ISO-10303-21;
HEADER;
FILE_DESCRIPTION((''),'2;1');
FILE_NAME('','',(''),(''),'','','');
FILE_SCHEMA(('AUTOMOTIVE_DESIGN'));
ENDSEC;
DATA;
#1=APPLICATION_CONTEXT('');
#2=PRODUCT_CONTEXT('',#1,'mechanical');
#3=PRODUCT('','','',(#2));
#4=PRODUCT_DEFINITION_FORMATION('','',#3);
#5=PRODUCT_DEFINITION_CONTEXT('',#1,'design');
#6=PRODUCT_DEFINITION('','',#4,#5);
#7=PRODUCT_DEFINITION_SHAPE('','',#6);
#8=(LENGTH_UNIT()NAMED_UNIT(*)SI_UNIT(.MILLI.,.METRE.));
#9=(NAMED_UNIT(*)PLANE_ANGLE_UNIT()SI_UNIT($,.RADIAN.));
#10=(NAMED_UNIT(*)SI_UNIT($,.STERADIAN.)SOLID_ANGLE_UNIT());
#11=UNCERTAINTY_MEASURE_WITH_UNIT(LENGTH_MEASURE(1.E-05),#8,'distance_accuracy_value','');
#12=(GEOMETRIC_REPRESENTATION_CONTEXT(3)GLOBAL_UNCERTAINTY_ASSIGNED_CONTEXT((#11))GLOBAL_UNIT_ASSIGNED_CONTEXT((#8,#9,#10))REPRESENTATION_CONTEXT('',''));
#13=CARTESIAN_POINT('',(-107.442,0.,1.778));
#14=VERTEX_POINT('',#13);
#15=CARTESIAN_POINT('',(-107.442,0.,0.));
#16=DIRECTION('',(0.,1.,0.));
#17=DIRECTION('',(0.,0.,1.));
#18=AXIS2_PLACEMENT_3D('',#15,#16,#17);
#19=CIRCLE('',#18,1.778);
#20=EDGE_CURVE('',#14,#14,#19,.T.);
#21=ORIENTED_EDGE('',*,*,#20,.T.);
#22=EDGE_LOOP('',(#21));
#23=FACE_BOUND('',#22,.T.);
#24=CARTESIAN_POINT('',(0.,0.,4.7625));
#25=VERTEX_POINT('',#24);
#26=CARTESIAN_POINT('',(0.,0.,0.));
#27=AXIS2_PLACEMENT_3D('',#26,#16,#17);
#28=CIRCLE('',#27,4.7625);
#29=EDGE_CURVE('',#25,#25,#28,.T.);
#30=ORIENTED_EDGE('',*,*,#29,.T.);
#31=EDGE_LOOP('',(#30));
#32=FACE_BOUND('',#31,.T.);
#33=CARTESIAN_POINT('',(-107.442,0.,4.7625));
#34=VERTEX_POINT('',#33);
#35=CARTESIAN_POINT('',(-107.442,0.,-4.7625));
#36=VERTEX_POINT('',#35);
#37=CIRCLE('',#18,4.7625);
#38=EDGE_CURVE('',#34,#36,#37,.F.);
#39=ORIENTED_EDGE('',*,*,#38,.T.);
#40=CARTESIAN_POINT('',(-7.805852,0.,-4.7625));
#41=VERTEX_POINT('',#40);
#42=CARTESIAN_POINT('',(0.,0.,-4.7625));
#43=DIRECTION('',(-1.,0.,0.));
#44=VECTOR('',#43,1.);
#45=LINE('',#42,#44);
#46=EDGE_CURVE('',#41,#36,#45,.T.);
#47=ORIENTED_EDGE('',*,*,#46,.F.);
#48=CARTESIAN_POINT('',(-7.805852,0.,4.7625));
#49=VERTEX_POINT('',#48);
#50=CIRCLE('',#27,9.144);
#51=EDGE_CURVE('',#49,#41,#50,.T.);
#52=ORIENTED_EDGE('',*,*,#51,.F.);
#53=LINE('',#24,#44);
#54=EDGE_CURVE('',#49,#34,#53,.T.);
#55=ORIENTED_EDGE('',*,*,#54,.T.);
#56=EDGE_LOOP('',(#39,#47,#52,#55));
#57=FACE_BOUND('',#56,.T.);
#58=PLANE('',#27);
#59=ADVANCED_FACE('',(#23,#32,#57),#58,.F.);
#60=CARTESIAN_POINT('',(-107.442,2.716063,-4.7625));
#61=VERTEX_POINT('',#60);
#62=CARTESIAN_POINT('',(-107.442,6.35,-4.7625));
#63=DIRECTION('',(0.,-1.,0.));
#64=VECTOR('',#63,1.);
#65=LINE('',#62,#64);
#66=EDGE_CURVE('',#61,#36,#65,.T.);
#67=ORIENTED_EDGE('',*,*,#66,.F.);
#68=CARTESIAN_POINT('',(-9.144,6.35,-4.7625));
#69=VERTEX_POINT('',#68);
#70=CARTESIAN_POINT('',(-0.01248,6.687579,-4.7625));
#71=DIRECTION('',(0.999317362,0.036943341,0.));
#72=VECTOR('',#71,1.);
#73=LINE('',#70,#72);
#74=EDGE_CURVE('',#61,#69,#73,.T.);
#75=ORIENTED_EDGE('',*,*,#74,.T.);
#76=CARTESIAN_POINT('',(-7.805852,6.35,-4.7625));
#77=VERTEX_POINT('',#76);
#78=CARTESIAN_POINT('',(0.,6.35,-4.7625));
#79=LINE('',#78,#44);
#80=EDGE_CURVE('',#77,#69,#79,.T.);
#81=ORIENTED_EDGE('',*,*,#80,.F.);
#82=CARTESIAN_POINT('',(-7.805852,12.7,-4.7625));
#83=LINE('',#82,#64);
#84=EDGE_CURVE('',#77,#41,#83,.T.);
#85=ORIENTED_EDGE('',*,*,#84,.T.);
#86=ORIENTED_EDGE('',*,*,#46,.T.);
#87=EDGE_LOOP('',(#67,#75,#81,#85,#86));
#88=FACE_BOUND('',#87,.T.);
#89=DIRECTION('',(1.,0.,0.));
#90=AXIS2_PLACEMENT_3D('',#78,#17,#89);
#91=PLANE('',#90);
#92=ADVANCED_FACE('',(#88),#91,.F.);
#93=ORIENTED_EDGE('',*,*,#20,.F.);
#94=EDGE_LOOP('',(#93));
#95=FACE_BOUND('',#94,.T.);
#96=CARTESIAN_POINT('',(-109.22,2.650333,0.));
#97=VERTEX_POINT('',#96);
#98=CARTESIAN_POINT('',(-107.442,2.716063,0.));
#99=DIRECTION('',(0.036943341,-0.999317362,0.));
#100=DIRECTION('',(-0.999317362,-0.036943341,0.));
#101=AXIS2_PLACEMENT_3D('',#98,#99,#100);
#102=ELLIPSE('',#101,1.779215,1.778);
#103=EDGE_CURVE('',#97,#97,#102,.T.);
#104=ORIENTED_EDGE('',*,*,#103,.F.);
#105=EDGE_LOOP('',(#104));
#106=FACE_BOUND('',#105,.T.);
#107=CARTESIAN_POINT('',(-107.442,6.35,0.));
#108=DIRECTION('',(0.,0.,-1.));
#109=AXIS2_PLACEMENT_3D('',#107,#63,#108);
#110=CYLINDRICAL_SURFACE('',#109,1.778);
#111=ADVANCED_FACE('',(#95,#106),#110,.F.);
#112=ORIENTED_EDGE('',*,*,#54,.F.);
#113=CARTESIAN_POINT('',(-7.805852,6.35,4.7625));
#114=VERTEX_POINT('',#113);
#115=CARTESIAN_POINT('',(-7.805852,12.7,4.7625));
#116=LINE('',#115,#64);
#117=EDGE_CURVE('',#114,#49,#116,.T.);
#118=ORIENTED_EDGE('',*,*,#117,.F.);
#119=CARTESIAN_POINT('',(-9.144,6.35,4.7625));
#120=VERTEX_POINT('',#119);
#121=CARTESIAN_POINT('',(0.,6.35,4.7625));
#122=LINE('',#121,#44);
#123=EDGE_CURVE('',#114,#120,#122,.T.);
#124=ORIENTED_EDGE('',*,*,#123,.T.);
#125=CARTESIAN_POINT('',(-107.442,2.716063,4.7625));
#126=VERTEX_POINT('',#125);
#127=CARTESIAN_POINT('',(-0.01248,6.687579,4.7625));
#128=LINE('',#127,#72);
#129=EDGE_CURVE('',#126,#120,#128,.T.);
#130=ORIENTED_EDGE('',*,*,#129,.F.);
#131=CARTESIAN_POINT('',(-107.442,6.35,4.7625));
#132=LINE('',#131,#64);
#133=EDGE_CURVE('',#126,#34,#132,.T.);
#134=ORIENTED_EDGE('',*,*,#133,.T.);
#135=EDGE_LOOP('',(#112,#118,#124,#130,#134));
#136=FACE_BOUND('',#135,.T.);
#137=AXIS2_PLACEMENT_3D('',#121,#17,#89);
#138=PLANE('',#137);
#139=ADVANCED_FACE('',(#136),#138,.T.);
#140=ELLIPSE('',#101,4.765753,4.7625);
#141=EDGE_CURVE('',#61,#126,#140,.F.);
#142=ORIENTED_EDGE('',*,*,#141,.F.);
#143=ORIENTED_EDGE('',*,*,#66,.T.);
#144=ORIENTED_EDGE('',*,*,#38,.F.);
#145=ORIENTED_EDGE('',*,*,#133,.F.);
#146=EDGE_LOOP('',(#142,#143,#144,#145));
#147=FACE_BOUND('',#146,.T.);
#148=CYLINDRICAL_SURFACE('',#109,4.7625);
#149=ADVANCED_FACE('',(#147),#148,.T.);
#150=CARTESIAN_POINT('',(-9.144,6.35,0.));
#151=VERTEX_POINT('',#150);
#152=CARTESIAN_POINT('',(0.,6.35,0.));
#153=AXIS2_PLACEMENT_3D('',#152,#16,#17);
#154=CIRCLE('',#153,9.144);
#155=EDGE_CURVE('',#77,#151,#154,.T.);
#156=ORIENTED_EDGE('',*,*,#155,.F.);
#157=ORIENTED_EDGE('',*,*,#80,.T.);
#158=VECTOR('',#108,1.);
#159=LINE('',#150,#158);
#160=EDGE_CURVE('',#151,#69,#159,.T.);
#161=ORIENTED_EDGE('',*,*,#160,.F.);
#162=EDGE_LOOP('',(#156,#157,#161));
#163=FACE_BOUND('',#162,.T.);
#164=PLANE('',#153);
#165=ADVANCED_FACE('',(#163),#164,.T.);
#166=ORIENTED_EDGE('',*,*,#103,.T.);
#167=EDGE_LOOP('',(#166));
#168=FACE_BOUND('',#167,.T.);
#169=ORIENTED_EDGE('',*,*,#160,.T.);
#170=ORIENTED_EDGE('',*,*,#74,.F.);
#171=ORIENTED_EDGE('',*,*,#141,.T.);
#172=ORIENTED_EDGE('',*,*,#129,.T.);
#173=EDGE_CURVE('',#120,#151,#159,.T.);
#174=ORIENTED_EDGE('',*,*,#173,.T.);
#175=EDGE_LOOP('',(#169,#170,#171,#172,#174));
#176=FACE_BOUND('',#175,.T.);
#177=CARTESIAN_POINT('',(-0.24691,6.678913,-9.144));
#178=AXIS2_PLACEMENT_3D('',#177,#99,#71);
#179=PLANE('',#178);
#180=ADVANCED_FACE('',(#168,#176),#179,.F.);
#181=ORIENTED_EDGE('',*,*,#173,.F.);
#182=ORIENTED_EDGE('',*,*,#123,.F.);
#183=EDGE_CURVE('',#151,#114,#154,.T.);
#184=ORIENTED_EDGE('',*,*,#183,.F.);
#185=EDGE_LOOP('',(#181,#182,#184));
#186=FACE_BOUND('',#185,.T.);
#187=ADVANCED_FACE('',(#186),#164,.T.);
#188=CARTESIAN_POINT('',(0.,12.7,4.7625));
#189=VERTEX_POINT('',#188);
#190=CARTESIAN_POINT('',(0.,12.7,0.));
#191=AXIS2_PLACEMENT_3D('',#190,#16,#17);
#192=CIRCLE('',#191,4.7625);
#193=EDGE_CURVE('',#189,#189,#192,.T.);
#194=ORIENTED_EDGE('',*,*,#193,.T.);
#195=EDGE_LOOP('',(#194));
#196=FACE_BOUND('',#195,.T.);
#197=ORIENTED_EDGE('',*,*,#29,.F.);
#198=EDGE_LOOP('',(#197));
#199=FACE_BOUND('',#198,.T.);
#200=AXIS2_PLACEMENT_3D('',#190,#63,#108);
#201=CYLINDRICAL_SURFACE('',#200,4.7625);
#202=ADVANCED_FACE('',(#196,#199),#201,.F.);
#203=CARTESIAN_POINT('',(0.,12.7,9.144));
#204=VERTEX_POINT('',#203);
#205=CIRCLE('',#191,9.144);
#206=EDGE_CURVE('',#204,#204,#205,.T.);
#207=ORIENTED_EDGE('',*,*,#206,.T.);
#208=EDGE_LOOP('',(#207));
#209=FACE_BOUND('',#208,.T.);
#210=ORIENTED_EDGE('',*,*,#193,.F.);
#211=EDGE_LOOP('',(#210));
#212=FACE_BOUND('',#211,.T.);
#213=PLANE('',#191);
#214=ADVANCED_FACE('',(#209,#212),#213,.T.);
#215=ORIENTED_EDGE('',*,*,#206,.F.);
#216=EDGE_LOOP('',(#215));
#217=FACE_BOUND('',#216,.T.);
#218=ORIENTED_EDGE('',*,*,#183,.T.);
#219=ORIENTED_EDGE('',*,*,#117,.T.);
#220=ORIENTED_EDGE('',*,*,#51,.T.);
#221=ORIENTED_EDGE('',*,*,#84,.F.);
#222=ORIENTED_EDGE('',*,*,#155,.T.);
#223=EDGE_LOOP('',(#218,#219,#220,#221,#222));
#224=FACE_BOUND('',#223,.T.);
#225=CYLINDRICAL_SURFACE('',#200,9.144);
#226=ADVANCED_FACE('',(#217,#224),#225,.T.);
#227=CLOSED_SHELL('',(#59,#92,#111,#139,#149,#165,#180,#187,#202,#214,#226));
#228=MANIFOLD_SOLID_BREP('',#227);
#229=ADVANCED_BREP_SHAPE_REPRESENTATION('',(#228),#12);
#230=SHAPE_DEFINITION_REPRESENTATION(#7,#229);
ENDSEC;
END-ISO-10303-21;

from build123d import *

# Parameters (mm, degrees)
SKETCH1_R               = 9.144
SKETCH1_R_2             = 4.7625
BOSS_EXTRUDE1_DEPTH     = 12.7
SKETCH2_R               = 1.778
BOSS_EXTRUDE2_DEPTH     = 6.35
SKETCH3_R               = 4.7625
CUT_EXTRUDE1_DEPTH      = 13.97
CUT_EXTRUDE3_DEPTH      = 10.144
CUT_EXTRUDE3_DEPTH_BACK = 10.144


with BuildPart() as part:
    # Sketch1 → Boss-Extrude1 (new body)
    with BuildSketch(Plane(origin=(0, 0, 0), x_dir=(1, 0, 0), z_dir=(0, 1, 0))):
        Circle(SKETCH1_R)
        Circle(SKETCH1_R_2, mode=Mode.SUBTRACT)
    extrude(amount=BOSS_EXTRUDE1_DEPTH)

    # Sketch2 → Boss-Extrude2 (add)
    with BuildSketch(Plane(origin=(0, 0, 0), x_dir=(1, 0, 0), z_dir=(0, 1, 0))):
        with BuildLine():
            Line((0, -4.7625), (0, 4.7625))
            Line((0, 4.7625), (-107.442, 4.7625))
            ThreePointArc((-107.442, 4.7625), (-112.2045, 0), (-107.442, -4.7625))
            Line((-107.442, -4.7625), (0, -4.7625))
        make_face()
        with Locations((-107.442, 0)):
            Circle(SKETCH2_R, mode=Mode.SUBTRACT)
    extrude(amount=BOSS_EXTRUDE2_DEPTH)

    # Sketch3 → Cut-Extrude1 (cut)
    with BuildSketch(Plane(origin=(0, 12.7, 0), x_dir=(1, 0, 0), z_dir=(0, 1, 0))):
        Circle(SKETCH3_R)
    extrude(amount=-CUT_EXTRUDE1_DEPTH, mode=Mode.SUBTRACT)

    # Sketch4 → Cut-Extrude3 (cut, two sides)
    with BuildSketch(Plane.XY) as cut_extrude3_sk:
        Polygon((-112.2045, 2.54), (-112.2045, 6.35), (-9.144, 6.35), align=None)
    extrude(amount=CUT_EXTRUDE3_DEPTH, mode=Mode.SUBTRACT)
    extrude(cut_extrude3_sk.sketch, amount=-CUT_EXTRUDE3_DEPTH_BACK, mode=Mode.SUBTRACT)


solid = part.part
